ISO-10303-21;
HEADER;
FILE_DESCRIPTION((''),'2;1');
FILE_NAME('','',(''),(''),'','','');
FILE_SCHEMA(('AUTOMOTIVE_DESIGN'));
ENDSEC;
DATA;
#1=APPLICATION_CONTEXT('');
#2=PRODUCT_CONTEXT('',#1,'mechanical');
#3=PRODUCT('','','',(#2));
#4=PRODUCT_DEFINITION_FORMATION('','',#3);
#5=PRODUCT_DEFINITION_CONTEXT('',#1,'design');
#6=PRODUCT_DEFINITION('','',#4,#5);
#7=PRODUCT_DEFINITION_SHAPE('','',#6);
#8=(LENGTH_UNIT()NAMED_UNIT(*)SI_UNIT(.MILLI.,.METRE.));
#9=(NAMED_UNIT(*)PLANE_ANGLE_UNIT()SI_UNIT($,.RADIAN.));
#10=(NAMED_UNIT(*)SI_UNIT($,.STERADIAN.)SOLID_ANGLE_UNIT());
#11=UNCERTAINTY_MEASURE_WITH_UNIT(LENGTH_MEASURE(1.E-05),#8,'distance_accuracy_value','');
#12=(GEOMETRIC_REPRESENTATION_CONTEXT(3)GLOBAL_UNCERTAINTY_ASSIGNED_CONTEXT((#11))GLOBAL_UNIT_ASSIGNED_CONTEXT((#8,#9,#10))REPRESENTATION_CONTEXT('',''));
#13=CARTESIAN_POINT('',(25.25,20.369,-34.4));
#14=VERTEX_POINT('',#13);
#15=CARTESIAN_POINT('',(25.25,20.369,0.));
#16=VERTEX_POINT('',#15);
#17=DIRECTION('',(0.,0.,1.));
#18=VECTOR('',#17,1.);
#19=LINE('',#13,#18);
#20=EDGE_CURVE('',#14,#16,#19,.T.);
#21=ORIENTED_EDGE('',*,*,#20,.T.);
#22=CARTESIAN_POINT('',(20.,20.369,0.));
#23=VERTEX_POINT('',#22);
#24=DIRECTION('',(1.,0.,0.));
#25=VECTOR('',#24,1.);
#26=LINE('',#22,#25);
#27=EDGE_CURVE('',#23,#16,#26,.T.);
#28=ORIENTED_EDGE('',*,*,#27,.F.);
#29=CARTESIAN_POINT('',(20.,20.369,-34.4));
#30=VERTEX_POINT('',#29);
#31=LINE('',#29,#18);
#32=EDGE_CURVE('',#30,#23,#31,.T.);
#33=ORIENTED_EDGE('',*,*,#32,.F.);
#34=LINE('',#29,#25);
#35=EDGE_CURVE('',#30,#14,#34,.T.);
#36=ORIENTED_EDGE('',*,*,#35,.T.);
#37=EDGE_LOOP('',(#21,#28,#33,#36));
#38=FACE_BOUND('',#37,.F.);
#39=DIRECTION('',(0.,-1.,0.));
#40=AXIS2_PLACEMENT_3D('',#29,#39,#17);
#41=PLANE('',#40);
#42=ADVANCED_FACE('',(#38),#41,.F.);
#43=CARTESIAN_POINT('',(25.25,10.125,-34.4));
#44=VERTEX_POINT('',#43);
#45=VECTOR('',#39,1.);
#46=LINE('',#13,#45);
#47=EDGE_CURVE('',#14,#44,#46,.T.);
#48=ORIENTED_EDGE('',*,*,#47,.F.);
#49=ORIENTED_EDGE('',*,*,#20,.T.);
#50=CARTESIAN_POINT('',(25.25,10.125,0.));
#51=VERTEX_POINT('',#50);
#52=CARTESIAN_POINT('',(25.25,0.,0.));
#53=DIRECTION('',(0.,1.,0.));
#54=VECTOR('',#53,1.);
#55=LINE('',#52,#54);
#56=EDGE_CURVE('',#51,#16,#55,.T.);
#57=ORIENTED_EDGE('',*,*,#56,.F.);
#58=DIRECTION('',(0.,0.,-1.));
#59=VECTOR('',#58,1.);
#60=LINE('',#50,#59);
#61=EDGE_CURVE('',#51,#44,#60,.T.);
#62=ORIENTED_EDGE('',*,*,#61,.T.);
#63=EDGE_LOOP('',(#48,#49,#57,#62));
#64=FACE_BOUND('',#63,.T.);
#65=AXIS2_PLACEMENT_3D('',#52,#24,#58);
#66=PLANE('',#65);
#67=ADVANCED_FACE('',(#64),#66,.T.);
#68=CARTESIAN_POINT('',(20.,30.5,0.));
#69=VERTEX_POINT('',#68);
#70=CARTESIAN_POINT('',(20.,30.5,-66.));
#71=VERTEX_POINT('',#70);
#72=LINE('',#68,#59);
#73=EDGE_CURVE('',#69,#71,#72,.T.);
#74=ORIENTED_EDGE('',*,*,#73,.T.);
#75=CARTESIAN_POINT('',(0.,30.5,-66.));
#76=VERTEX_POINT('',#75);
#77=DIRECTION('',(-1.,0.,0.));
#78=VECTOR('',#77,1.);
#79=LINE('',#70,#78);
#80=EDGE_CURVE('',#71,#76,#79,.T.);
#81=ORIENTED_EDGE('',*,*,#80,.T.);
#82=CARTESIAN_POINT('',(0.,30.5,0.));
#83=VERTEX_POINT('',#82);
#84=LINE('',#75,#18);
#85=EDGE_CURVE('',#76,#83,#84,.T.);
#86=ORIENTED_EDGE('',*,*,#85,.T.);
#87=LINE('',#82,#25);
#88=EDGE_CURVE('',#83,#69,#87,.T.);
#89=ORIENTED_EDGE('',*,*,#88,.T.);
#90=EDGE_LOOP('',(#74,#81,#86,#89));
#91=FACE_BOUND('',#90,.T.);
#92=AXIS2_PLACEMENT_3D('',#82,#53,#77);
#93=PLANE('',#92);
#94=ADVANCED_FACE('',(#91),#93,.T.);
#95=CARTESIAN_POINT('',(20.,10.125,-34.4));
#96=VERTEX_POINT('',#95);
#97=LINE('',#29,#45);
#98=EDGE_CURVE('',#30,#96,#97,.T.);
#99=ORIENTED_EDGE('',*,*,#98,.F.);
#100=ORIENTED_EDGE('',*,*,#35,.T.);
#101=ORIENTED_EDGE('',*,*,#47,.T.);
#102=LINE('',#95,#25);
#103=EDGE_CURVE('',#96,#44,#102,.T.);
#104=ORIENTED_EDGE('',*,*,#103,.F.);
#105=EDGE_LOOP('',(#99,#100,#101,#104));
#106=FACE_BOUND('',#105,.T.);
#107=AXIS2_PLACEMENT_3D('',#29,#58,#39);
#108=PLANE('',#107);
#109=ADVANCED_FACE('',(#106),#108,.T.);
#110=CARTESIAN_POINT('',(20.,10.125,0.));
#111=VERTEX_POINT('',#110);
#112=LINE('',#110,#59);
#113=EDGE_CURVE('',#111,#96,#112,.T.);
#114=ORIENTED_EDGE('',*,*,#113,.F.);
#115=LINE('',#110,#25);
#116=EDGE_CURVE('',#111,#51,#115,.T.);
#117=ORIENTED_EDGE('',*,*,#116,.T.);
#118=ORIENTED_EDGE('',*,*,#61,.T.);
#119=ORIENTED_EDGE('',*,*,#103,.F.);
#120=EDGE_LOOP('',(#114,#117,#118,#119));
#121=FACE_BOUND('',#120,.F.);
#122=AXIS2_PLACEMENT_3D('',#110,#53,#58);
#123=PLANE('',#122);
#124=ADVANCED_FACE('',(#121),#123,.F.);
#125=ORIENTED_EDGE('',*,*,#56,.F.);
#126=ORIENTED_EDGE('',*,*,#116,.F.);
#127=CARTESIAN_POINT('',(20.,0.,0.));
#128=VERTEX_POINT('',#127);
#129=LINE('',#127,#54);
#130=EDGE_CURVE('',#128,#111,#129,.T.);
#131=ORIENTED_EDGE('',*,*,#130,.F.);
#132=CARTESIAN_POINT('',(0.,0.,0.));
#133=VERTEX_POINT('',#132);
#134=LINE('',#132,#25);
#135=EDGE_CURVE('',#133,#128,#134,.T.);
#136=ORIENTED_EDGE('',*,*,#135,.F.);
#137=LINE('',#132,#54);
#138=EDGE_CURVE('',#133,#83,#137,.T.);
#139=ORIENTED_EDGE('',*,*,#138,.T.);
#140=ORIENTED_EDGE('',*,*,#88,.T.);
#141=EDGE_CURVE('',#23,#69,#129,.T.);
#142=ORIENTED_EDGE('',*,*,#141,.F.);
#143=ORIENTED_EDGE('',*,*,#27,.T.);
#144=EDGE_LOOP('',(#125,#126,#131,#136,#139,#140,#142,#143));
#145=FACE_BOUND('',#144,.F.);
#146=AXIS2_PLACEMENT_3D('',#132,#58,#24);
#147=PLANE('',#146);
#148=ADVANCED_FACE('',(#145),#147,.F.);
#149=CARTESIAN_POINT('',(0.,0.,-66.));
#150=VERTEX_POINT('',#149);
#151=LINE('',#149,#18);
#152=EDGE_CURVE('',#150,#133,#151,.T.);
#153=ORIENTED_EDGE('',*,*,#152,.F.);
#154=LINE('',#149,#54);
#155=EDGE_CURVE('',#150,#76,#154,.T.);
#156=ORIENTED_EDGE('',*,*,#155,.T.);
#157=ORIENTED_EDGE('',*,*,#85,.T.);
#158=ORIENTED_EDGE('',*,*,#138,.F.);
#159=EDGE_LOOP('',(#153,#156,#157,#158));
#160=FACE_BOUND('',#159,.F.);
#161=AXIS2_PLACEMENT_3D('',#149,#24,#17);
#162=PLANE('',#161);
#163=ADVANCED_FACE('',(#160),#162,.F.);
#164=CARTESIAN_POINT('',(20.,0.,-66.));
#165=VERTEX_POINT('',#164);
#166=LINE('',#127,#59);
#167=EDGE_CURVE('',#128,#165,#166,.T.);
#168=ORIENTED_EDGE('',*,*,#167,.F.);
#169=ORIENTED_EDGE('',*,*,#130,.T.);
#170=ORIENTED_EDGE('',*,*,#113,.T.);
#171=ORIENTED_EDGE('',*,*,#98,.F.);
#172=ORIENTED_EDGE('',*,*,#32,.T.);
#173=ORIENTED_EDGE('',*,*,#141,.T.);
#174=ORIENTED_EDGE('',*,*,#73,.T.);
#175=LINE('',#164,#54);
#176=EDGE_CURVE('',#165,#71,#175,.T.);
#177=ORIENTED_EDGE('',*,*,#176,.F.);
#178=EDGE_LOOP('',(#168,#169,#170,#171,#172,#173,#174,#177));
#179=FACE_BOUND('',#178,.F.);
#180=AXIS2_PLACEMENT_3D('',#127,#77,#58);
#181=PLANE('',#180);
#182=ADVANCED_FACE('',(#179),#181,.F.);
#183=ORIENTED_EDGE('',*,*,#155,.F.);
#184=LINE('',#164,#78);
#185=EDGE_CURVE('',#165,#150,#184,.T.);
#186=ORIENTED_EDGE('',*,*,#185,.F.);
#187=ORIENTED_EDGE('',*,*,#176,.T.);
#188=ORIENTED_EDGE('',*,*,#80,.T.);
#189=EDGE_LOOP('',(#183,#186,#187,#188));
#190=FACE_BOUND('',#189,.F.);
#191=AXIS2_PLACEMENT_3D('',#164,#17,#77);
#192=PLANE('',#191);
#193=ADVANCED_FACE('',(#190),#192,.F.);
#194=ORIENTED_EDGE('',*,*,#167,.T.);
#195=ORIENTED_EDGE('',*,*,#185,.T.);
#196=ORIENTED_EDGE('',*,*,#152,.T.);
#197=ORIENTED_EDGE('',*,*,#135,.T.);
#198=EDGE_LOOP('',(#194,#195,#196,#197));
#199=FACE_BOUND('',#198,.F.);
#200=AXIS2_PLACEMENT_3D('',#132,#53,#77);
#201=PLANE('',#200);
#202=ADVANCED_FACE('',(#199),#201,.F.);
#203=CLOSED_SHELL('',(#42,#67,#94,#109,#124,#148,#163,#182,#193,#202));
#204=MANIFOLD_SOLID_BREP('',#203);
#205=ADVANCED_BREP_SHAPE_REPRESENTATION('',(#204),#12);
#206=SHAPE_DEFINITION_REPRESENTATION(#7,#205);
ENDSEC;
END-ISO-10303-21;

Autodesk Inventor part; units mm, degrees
ref_plane "YZ Plane" through (0, 0, 0) normal (1, 0, 0) x (0, 1, 0)
ref_plane "XZ Plane" through (0, 0, 0) normal (0, 1, 0) x (-1, 0, 0)
sketch "Sketch2" plane through (0, 0, 0) normal (0, 1, 0) x (-1, 0, 0)
  line L0 (0, 0) -> (-20, 0)
  line L1 (-20, 0) -> (-20, -66)
  line L2 (-20, -66) -> (0, -66)
  line L3 (0, -66) -> (0, 0)
  dimension "d0" = 20
  dimension "d1" = 66
extrude "Extrusion1" add sketch "Sketch2" along normal blind 30.5
sketch "Sketch3" plane through (20, 0, 0) normal (1, 0, 0) x (0, 0, -1)
  line L0 (39.4, 20.369) -> (34.4, 20.369) projected
  line L1 (39.4, 10.125) -> (34.4, 10.125) projected
  line L2 (34.4, 18.9168) -> (34.4, 10.625) projected
  line L3 (34.4, 20.369) -> (34.4, 18.9308) projected
  line L4 (0, 0) -> (0, 30.5) projected
  line L5 (34.4, 20.369) -> (0, 20.369)
  line L6 (0, 20.369) -> (0, 10.125)
  line L7 (0, 10.125) -> (34.4, 10.125)
  line L8 (34.4, 10.125) -> (34.4, 20.369)
ref_plane "Work Plane1" through (25.25, 10.625, -39.4) normal (1, 0, 0) x (0, 1, 0)
extrude "Extrusion2" add sketch "Sketch3" along normal up to surface (5.25 mm away)
properties part number "lipo3s650"
